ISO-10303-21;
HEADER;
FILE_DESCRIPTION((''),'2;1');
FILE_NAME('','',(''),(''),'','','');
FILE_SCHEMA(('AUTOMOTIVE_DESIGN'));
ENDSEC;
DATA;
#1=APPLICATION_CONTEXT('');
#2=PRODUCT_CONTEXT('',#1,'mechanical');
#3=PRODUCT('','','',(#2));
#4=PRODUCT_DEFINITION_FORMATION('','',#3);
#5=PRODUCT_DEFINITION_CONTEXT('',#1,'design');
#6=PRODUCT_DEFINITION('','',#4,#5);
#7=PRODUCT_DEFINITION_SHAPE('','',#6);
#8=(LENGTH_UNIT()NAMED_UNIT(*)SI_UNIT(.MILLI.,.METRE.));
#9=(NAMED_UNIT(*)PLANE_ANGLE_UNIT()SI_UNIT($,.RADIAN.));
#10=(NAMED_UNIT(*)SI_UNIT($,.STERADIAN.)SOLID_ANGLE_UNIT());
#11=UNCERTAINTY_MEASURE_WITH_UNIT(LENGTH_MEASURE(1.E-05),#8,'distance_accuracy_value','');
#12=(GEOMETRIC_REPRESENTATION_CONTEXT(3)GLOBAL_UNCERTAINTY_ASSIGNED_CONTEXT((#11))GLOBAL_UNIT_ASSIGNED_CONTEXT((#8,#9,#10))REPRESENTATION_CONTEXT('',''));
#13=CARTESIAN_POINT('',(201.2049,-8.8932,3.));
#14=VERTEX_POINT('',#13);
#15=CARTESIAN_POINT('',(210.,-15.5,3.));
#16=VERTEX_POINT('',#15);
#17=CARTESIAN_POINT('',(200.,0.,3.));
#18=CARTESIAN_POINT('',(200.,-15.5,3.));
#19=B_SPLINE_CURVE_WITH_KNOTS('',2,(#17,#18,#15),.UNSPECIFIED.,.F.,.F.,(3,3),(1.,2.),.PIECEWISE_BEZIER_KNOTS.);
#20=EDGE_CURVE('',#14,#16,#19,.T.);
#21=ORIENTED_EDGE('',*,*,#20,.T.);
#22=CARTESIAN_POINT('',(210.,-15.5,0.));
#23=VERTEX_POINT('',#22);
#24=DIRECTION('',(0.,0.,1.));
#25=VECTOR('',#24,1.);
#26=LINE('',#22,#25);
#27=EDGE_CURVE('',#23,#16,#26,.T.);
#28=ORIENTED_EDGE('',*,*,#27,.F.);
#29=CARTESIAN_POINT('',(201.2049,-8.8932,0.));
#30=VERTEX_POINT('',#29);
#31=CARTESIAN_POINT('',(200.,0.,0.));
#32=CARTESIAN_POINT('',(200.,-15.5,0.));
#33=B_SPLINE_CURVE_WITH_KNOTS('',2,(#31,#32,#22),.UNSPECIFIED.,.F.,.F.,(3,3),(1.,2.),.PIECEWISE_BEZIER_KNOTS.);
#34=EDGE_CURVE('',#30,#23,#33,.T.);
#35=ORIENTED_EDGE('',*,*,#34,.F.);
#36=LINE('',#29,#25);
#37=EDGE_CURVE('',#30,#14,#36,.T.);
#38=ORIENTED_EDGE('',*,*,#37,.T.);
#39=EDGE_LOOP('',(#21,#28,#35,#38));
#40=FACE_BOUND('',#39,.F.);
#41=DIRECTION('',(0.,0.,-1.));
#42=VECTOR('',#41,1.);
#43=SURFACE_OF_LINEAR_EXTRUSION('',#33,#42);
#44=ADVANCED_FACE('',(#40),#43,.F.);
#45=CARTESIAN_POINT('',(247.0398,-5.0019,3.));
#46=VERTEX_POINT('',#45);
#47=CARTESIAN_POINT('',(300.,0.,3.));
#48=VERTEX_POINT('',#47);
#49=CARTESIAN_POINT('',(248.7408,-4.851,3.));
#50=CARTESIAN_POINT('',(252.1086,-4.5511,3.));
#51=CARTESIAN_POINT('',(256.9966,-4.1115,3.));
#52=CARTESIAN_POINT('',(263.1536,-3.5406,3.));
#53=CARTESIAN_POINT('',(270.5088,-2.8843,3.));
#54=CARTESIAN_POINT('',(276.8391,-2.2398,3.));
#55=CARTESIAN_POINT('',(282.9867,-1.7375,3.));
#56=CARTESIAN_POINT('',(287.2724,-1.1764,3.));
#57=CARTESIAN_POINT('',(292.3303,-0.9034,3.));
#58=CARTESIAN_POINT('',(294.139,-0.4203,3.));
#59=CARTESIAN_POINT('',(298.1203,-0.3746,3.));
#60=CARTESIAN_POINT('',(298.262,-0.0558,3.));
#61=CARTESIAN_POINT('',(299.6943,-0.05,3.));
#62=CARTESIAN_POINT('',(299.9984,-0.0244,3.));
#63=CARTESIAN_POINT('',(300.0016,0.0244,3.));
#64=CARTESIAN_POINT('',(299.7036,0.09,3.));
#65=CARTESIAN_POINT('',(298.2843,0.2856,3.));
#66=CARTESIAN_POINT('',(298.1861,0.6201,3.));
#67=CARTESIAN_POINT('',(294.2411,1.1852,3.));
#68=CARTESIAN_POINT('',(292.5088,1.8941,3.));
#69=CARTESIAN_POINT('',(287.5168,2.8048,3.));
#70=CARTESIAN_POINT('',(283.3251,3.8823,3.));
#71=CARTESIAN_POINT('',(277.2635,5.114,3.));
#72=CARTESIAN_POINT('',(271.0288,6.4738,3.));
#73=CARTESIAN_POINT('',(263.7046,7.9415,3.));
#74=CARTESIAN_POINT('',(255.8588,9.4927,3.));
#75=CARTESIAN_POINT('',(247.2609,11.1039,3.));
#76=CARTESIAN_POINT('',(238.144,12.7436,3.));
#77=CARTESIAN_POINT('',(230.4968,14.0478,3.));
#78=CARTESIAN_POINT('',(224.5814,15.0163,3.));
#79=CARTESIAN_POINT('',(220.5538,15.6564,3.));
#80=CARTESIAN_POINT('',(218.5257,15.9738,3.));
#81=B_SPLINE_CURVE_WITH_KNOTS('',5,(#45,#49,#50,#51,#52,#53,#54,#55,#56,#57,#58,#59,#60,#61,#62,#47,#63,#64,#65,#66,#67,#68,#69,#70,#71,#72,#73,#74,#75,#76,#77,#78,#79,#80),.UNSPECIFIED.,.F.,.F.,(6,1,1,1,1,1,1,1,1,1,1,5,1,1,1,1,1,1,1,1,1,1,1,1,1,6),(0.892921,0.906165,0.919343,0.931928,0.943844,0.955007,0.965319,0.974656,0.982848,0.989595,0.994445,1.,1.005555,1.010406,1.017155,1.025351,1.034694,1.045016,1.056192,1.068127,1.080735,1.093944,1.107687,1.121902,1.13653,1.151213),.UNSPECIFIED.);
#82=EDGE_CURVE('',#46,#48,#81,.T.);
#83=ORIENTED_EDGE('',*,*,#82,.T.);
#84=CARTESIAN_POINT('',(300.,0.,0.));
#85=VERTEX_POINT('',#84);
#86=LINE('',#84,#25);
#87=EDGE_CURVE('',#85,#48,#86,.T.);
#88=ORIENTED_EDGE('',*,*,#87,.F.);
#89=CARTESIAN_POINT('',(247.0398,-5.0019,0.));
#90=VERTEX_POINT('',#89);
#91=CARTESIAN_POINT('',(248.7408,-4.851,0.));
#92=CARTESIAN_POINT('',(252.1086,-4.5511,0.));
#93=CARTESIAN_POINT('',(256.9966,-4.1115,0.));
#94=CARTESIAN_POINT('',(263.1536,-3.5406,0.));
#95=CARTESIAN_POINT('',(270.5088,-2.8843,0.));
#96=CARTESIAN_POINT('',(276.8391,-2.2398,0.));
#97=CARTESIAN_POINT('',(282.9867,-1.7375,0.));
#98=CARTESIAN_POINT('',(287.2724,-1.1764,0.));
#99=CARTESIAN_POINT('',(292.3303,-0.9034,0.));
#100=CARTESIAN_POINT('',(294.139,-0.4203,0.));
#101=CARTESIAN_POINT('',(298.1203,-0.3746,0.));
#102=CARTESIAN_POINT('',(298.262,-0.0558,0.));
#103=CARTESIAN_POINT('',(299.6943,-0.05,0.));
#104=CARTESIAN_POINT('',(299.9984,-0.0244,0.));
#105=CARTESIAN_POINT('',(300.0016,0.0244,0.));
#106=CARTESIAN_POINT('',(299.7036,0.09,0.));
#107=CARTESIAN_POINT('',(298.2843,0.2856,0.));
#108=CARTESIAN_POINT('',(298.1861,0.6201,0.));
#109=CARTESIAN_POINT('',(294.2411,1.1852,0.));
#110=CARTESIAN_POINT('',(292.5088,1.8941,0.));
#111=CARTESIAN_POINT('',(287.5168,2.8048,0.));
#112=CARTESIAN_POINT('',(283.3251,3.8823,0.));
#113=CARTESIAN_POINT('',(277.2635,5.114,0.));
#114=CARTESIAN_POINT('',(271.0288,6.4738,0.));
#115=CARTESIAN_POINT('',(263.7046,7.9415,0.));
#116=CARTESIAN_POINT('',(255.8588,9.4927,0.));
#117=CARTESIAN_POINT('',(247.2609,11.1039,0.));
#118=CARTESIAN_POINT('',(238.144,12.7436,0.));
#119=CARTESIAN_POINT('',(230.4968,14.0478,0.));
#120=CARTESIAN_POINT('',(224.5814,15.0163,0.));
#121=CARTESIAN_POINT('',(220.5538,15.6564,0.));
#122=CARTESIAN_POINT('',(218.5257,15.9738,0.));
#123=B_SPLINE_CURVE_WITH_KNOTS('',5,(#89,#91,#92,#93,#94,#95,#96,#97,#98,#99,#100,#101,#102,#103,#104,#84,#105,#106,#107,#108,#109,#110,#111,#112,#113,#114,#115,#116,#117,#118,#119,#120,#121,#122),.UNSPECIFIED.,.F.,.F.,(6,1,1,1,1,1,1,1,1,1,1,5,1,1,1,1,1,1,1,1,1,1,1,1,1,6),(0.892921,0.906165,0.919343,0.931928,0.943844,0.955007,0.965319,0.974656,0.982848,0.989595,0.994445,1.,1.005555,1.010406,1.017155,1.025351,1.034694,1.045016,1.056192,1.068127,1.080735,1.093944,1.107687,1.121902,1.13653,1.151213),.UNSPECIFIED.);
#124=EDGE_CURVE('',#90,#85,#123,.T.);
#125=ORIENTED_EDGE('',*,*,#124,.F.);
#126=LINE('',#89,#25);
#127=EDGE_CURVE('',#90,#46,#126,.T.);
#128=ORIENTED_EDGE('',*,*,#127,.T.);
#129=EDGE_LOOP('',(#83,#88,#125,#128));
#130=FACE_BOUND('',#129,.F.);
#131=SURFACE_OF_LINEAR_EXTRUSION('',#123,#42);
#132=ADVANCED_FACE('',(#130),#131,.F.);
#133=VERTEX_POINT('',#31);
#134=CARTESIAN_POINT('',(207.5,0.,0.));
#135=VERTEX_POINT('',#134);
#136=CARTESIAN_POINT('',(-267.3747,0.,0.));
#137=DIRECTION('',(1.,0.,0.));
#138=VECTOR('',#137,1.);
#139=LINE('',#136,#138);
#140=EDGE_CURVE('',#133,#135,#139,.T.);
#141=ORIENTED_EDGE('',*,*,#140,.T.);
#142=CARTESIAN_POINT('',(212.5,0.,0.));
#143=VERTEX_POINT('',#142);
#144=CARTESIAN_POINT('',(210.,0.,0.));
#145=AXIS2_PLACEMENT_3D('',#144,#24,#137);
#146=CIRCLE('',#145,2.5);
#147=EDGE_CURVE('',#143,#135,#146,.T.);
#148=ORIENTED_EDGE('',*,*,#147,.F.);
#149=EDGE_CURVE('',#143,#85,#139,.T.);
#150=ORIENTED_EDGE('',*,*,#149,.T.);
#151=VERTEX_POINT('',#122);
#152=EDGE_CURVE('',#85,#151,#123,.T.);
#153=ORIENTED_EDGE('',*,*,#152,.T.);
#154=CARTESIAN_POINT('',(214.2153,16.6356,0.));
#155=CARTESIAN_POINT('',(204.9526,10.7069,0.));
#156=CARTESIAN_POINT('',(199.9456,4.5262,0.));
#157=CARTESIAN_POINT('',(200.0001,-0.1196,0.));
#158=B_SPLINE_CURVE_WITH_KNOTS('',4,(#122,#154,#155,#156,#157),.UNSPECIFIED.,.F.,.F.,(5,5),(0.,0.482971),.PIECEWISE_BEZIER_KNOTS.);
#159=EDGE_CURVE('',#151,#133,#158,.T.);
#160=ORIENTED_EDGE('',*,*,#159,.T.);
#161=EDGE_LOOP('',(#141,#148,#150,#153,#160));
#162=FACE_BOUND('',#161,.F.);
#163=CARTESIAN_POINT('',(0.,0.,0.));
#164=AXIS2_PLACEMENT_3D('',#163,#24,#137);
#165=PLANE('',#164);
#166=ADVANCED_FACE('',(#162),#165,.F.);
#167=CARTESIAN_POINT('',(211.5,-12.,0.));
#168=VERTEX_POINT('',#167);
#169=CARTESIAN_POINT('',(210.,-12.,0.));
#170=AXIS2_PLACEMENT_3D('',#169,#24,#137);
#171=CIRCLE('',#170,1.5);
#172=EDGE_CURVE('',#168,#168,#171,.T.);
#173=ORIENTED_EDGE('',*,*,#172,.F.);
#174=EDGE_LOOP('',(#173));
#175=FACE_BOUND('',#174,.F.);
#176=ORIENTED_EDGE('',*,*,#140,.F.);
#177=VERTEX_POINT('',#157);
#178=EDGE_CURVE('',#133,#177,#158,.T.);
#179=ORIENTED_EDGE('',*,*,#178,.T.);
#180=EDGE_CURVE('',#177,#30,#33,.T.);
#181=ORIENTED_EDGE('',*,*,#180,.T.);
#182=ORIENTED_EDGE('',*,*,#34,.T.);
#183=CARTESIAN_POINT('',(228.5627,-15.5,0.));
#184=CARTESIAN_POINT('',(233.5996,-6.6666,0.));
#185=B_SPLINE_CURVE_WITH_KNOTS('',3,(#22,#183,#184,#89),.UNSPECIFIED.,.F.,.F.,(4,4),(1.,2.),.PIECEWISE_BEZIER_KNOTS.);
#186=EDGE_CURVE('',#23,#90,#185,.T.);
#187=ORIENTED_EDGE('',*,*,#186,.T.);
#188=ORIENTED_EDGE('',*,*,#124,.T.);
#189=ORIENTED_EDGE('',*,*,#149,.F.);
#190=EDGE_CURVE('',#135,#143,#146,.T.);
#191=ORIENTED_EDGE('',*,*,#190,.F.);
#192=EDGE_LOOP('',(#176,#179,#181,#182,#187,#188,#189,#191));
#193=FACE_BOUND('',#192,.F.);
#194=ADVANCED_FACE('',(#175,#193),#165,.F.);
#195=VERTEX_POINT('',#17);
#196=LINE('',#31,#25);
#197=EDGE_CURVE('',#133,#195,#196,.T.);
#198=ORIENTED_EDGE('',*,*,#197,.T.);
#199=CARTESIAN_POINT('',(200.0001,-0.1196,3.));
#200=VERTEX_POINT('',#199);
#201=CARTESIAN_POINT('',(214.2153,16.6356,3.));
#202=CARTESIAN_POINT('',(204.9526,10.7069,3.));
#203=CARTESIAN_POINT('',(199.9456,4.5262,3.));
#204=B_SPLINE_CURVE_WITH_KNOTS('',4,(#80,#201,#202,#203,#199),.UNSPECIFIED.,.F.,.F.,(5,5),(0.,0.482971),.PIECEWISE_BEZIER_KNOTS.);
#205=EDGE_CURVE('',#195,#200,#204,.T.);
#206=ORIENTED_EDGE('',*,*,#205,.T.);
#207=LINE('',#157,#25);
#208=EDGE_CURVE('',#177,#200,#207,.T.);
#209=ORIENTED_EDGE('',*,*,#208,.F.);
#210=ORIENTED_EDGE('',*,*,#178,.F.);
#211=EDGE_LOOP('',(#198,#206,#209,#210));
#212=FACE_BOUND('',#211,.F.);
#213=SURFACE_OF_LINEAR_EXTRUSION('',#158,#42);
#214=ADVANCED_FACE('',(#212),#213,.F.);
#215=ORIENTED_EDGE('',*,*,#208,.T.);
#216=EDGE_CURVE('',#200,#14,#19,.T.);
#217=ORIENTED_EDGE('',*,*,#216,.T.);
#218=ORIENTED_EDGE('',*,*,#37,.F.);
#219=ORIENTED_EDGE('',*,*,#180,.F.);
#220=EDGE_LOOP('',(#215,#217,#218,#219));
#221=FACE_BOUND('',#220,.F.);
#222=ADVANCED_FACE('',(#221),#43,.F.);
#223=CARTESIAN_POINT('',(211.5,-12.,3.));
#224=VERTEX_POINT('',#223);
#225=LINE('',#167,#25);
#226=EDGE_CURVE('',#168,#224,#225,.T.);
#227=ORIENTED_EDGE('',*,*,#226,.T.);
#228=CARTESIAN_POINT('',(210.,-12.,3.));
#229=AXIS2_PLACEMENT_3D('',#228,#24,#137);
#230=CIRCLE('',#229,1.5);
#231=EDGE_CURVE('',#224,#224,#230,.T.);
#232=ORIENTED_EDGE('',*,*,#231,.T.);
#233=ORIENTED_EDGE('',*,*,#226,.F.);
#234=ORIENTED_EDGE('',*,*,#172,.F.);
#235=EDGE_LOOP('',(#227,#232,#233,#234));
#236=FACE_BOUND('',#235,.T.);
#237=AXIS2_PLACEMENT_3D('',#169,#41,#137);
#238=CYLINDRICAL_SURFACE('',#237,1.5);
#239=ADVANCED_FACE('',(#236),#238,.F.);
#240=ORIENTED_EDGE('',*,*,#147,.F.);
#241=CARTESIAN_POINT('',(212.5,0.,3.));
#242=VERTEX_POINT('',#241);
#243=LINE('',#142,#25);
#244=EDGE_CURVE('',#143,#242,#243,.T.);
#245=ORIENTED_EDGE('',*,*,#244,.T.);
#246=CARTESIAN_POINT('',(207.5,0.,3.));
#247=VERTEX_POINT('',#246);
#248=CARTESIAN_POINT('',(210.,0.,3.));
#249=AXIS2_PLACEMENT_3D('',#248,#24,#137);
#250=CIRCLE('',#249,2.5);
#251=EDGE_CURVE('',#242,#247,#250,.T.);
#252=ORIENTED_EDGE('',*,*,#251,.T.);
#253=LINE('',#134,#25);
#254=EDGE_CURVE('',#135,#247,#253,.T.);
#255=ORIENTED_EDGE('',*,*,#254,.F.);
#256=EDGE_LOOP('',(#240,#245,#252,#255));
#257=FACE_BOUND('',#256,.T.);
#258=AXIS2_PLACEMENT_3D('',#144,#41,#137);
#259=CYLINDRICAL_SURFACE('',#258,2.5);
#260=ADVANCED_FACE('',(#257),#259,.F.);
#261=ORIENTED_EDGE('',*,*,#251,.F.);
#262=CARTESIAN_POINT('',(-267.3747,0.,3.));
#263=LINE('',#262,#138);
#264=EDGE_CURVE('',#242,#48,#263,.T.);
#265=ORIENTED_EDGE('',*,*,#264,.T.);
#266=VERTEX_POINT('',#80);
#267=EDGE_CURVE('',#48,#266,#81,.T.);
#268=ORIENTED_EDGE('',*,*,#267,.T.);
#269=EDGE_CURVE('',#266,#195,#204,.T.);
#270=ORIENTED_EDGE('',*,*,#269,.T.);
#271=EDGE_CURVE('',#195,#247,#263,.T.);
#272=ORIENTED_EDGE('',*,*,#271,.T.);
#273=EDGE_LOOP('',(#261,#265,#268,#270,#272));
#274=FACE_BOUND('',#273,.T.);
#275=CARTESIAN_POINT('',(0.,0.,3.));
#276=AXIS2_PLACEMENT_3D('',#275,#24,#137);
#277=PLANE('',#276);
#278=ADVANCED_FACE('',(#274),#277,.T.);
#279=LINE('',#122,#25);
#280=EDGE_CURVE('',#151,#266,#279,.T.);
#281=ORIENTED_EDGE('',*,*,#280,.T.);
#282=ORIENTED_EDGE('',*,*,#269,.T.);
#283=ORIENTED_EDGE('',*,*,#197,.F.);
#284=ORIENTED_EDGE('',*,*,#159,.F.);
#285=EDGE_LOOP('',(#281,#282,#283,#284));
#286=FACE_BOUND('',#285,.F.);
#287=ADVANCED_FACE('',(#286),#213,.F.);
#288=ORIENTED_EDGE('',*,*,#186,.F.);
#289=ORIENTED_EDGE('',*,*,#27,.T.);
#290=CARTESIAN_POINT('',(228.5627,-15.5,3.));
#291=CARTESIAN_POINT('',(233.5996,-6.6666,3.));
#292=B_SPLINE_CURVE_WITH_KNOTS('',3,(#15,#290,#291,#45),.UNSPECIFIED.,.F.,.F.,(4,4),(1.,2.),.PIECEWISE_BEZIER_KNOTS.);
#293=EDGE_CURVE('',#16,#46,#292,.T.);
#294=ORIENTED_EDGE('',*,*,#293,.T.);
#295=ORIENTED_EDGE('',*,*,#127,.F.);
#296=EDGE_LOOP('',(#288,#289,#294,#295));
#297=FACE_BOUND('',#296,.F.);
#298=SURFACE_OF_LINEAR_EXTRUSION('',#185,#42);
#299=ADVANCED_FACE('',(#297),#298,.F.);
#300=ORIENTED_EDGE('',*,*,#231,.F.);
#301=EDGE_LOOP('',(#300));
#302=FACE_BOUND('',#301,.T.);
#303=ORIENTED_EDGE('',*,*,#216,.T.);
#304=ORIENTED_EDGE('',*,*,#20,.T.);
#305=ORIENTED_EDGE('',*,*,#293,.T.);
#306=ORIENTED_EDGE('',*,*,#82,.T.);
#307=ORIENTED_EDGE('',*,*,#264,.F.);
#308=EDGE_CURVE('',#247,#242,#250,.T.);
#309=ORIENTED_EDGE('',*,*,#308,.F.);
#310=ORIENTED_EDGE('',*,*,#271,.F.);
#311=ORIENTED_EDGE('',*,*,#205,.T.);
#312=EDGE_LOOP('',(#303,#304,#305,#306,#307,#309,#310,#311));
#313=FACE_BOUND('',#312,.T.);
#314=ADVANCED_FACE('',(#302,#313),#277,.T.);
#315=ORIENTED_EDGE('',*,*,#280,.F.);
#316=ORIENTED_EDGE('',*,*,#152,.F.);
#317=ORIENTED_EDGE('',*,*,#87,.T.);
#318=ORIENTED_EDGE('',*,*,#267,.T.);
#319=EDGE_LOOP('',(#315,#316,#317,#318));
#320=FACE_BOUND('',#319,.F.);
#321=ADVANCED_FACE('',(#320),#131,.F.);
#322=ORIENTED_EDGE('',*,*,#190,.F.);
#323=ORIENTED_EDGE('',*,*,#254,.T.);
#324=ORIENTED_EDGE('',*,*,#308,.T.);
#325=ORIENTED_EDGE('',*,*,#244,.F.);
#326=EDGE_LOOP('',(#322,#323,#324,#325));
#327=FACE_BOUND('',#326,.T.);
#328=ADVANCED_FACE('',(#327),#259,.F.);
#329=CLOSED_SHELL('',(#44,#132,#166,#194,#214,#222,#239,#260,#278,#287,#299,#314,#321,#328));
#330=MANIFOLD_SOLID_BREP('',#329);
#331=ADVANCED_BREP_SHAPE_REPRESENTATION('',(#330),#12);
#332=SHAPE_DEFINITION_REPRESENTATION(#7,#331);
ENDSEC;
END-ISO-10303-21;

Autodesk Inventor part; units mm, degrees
ref_plane "YZ Plane" through (0, 0, 0) normal (1, 0, 0) x (0, 1, 0)
ref_plane "XZ Plane" through (0, 0, 0) normal (0, 1, 0) x (-1, 0, 0)
ref_plane "XY Plane" through (0, 0, 0) normal (0, 0, 1) x (1, 0, 0)
sketch "Sketch1" plane through (0, 0, 0) normal (0, 0, 1) x (1, 0, 0)
  line L0 (200, 103) -> (200, -97) construction
  line L1 (0, -2198.1975) -> (0, 5744.0191) construction
  line L2 (210, 0) -> (210, -12) construction
  line L3 (210, 0) -> (222, 0) construction
  circle A0 centre (210, -12) radius 1.5
  spline S0 degree 4 poles (218.5257, 15.9738) (214.2153, 16.6356) (204.9526, 10.7069) (199.9456, 4.5262) (200.0001, -0.1196) knots 0 0 0 0 0 0.482971 0.482971 0.482971 0.482971 0.482971
  line L4 (221.1774, 15.5667) -> (215.874, 16.3809) construction
  arc A1 (220.2542, 15.1852) -> (216.6402, 15.74) centre (217.9961, 12.5243) ccw construction
  line L5 (200, 0) -> (200, -15.5) construction
  line L6 (200, -15.5) -> (210, -15.5) construction
  spline S1 degree 2 poles (200, 0) (200, -15.5) (210, -15.5) knots 1 1 1 2 2 2
  line L7 (210, -15.5) -> (228.5627, -15.5) construction
  line L8 (228.5627, -15.5) -> (233.5996, -6.6666) construction
  line L9 (233.5996, -6.6666) -> (247.0398, -5.0019) construction
  spline S2 degree 3 poles (210, -15.5) (228.5627, -15.5) (233.5996, -6.6666) (247.0398, -5.0019) knots 1 1 1 1 2 2 2 2
  line L10 (199.9617, 3.157) -> (200.0386, -3.3962) construction
  arc A2 (200.4959, 2.2656) -> (200.5517, -2.4925) centre (205.6665, -0.0531) ccw construction
  circle A3 centre (210, 0) radius 2.5
  line L11 (-267.3747, 0) -> (404.2133, 0) projected
  spline S3 degree 5 poles (247.0398, -5.0019) (248.7408, -4.851) (252.1086, -4.5511) (256.9966, -4.1115) (263.1536, -3.5406) (270.5088, -2.8843) (276.8391, -2.2398) (282.9867, -1.7375) (287.2724, -1.1764) (292.3303, -0.9034) (294.139, -0.4203) (298.1203, -0.3746) (298.262, -0.0558) (299.6943, -0.05) (299.9984, -0.0244) (300, 0) (300.0016, 0.0244) (299.7036, 0.09) (298.2843, 0.2856) (298.1861, 0.6201) (294.2411, 1.1852) (292.5088, 1.8941) (287.5168, 2.8048) (283.3251, 3.8823) (277.2635, 5.114) (271.0288, 6.4738) (263.7046, 7.9415) (255.8588, 9.4927) (247.2609, 11.1039) (238.144, 12.7436) (230.4968, 14.0478) (224.5814, 15.0163) (220.5538, 15.6564) (218.5257, 15.9738) knots 0.892921 0.892921 0.892921 0.892921 0.892921 0.892921 0.906165 0.919343 0.931928 0.943844 0.955007 0.965319 0.974656 0.982848 0.989595 0.994445 1 1 1 1 1 1.005555 1.010406 1.017155 1.025351 1.034694 1.045016 1.056192 1.068127 1.080735 1.093944 1.107687 1.121902 1.13653 1.151213 1.151213 1.151213 1.151213 1.151213 1.151213
  line L12 (228.403, 14.4279) -> (208.6484, 17.5197) construction
  arc A4 (226.4228, 14.7082) -> (210.6196, 17.1816) centre (49.5564, -1063.5951) ccw construction
  spline S4 degree 5 poles (200, -8.9902) (200.2412, -8.9708) (200.4822, -8.9514) (200.7232, -8.932) (200.9641, -8.9126) (201.2049, -8.8932) knots 1.823971 1.823971 1.823971 1.823971 1.823971 1.823971 1.825664 1.825664 1.825664 1.825664 1.825664 1.825664
  line L13 (199.877, -9.0001) -> (200.123, -8.9803) construction
  arc A5 (199.9016, -8.9981) -> (200.0984, -8.9823) centre (-171.4335, 4609.4167) ccw construction
  point P0 (0, 0)
  point P1 (300, 0)
  point P2 (299.5428, 0.1089)
  point P3 (298.1739, 0.4338)
  point P4 (295.9008, 0.9681)
  point P5 (292.7367, 1.7025)
  point P6 (288.6996, 2.6229)
  point P7 (283.8129, 3.7134)
  point P8 (278.1048, 4.9545)
  point P9 (271.6086, 6.3255)
  point P10 (264.3621, 7.8039)
  point P11 (256.4085, 9.3663)
  point P12 (247.7946, 10.9887)
  point P13 (238.572, 12.6468)
  point P14 (228.7959, 14.3166)
  point P15 (207.8235, 17.5944)
  point P16 (196.755, 19.155)
  point P17 (185.388, 20.6319)
  point P18 (173.7924, 22.0023)
  point P19 (162.0405, 23.2434)
  point P20 (150.2055, 24.3336)
  point P21 (138.3615, 25.2522)
  point P22 (126.5832, 25.98)
  point P23 (114.8976, 26.493)
  point P24 (103.3635, 26.7315)
  point P25 (92.1183, 26.6775)
  point P26 (81.2367, 26.3292)
  point P27 (70.7922, 25.689)
  point P28 (60.8541, 24.7656)
  point P29 (51.489, 23.5734)
  point P30 (42.7587, 22.131)
  point P31 (34.7199, 20.4618)
  point P32 (27.4239, 18.5934)
  point P33 (20.9172, 16.5555)
  point P34 (15.2385, 14.379)
  point P35 (10.422, 12.0954)
  point P36 (6.4944, 9.7347)
  point P37 (3.4767, 7.3239)
  point P38 (1.3836, 4.8867)
  point P39 (0.2238, 2.4411)
  point P40 (0.7011, -2.3487)
  point P41 (2.31, -4.5201)
  point P42 (4.8123, -6.5094)
  point P43 (8.1885, -8.3112)
  point P44 (12.414, -9.9204)
  point P45 (17.4594, -11.3319)
  point P46 (23.2908, -12.5418)
  point P47 (29.871, -13.5477)
  point P48 (37.1583, -14.3505)
  point P49 (45.1092, -14.9526)
  point P50 (53.6766, -15.3609)
  point P51 (62.8101, -15.5853)
  point P52 (72.4581, -15.639)
  point P53 (82.566, -15.5385)
  point P54 (93.0768, -15.3033)
  point P55 (103.9314, -14.9544)
  point P56 (115.0689, -14.514)
  point P57 (126.4866, -13.9956)
  point P58 (138.1008, -13.3755)
  point P59 (149.7945, -12.6672)
  point P60 (161.4972, -11.8896)
  point P61 (173.1378, -11.061)
  point P62 (184.6455, -10.1973)
  point P63 (195.9501, -9.3141)
  point P64 (206.9814, -8.4237)
  point P65 (217.6716, -7.5381)
  point P66 (227.9538, -6.6666)
  point P67 (263.7597, -3.4905)
  point P68 (271.0965, -2.8098)
  point P69 (277.6872, -2.1882)
  point P70 (283.4889, -1.6323)
  point P71 (288.4641, -1.1487)
  point P72 (292.5804, -0.7434)
  point P73 (295.8102, -0.4221)
  point P74 (298.1328, -0.1887)
  point P75 (299.5323, -0.0474)
  point P76 (200.0001, -0.1196)
  dimension "d0" = 200
  dimension "d2" = 200
  dimension "d3" = 12
  dimension "d4" = 90
  dimension "d5" = 10
  dimension "d6" = 3
  dimension "d23" = 5
  dimension "d24" = 12
extrude "Extrusion3" add sketch "Sketch1" along normal blind 3 contours S3 L11 A3 S0 | L11 A3 S3 S2 S1 S0
properties part number "4P.01.01.02-TW-v1-Basic Structure"
